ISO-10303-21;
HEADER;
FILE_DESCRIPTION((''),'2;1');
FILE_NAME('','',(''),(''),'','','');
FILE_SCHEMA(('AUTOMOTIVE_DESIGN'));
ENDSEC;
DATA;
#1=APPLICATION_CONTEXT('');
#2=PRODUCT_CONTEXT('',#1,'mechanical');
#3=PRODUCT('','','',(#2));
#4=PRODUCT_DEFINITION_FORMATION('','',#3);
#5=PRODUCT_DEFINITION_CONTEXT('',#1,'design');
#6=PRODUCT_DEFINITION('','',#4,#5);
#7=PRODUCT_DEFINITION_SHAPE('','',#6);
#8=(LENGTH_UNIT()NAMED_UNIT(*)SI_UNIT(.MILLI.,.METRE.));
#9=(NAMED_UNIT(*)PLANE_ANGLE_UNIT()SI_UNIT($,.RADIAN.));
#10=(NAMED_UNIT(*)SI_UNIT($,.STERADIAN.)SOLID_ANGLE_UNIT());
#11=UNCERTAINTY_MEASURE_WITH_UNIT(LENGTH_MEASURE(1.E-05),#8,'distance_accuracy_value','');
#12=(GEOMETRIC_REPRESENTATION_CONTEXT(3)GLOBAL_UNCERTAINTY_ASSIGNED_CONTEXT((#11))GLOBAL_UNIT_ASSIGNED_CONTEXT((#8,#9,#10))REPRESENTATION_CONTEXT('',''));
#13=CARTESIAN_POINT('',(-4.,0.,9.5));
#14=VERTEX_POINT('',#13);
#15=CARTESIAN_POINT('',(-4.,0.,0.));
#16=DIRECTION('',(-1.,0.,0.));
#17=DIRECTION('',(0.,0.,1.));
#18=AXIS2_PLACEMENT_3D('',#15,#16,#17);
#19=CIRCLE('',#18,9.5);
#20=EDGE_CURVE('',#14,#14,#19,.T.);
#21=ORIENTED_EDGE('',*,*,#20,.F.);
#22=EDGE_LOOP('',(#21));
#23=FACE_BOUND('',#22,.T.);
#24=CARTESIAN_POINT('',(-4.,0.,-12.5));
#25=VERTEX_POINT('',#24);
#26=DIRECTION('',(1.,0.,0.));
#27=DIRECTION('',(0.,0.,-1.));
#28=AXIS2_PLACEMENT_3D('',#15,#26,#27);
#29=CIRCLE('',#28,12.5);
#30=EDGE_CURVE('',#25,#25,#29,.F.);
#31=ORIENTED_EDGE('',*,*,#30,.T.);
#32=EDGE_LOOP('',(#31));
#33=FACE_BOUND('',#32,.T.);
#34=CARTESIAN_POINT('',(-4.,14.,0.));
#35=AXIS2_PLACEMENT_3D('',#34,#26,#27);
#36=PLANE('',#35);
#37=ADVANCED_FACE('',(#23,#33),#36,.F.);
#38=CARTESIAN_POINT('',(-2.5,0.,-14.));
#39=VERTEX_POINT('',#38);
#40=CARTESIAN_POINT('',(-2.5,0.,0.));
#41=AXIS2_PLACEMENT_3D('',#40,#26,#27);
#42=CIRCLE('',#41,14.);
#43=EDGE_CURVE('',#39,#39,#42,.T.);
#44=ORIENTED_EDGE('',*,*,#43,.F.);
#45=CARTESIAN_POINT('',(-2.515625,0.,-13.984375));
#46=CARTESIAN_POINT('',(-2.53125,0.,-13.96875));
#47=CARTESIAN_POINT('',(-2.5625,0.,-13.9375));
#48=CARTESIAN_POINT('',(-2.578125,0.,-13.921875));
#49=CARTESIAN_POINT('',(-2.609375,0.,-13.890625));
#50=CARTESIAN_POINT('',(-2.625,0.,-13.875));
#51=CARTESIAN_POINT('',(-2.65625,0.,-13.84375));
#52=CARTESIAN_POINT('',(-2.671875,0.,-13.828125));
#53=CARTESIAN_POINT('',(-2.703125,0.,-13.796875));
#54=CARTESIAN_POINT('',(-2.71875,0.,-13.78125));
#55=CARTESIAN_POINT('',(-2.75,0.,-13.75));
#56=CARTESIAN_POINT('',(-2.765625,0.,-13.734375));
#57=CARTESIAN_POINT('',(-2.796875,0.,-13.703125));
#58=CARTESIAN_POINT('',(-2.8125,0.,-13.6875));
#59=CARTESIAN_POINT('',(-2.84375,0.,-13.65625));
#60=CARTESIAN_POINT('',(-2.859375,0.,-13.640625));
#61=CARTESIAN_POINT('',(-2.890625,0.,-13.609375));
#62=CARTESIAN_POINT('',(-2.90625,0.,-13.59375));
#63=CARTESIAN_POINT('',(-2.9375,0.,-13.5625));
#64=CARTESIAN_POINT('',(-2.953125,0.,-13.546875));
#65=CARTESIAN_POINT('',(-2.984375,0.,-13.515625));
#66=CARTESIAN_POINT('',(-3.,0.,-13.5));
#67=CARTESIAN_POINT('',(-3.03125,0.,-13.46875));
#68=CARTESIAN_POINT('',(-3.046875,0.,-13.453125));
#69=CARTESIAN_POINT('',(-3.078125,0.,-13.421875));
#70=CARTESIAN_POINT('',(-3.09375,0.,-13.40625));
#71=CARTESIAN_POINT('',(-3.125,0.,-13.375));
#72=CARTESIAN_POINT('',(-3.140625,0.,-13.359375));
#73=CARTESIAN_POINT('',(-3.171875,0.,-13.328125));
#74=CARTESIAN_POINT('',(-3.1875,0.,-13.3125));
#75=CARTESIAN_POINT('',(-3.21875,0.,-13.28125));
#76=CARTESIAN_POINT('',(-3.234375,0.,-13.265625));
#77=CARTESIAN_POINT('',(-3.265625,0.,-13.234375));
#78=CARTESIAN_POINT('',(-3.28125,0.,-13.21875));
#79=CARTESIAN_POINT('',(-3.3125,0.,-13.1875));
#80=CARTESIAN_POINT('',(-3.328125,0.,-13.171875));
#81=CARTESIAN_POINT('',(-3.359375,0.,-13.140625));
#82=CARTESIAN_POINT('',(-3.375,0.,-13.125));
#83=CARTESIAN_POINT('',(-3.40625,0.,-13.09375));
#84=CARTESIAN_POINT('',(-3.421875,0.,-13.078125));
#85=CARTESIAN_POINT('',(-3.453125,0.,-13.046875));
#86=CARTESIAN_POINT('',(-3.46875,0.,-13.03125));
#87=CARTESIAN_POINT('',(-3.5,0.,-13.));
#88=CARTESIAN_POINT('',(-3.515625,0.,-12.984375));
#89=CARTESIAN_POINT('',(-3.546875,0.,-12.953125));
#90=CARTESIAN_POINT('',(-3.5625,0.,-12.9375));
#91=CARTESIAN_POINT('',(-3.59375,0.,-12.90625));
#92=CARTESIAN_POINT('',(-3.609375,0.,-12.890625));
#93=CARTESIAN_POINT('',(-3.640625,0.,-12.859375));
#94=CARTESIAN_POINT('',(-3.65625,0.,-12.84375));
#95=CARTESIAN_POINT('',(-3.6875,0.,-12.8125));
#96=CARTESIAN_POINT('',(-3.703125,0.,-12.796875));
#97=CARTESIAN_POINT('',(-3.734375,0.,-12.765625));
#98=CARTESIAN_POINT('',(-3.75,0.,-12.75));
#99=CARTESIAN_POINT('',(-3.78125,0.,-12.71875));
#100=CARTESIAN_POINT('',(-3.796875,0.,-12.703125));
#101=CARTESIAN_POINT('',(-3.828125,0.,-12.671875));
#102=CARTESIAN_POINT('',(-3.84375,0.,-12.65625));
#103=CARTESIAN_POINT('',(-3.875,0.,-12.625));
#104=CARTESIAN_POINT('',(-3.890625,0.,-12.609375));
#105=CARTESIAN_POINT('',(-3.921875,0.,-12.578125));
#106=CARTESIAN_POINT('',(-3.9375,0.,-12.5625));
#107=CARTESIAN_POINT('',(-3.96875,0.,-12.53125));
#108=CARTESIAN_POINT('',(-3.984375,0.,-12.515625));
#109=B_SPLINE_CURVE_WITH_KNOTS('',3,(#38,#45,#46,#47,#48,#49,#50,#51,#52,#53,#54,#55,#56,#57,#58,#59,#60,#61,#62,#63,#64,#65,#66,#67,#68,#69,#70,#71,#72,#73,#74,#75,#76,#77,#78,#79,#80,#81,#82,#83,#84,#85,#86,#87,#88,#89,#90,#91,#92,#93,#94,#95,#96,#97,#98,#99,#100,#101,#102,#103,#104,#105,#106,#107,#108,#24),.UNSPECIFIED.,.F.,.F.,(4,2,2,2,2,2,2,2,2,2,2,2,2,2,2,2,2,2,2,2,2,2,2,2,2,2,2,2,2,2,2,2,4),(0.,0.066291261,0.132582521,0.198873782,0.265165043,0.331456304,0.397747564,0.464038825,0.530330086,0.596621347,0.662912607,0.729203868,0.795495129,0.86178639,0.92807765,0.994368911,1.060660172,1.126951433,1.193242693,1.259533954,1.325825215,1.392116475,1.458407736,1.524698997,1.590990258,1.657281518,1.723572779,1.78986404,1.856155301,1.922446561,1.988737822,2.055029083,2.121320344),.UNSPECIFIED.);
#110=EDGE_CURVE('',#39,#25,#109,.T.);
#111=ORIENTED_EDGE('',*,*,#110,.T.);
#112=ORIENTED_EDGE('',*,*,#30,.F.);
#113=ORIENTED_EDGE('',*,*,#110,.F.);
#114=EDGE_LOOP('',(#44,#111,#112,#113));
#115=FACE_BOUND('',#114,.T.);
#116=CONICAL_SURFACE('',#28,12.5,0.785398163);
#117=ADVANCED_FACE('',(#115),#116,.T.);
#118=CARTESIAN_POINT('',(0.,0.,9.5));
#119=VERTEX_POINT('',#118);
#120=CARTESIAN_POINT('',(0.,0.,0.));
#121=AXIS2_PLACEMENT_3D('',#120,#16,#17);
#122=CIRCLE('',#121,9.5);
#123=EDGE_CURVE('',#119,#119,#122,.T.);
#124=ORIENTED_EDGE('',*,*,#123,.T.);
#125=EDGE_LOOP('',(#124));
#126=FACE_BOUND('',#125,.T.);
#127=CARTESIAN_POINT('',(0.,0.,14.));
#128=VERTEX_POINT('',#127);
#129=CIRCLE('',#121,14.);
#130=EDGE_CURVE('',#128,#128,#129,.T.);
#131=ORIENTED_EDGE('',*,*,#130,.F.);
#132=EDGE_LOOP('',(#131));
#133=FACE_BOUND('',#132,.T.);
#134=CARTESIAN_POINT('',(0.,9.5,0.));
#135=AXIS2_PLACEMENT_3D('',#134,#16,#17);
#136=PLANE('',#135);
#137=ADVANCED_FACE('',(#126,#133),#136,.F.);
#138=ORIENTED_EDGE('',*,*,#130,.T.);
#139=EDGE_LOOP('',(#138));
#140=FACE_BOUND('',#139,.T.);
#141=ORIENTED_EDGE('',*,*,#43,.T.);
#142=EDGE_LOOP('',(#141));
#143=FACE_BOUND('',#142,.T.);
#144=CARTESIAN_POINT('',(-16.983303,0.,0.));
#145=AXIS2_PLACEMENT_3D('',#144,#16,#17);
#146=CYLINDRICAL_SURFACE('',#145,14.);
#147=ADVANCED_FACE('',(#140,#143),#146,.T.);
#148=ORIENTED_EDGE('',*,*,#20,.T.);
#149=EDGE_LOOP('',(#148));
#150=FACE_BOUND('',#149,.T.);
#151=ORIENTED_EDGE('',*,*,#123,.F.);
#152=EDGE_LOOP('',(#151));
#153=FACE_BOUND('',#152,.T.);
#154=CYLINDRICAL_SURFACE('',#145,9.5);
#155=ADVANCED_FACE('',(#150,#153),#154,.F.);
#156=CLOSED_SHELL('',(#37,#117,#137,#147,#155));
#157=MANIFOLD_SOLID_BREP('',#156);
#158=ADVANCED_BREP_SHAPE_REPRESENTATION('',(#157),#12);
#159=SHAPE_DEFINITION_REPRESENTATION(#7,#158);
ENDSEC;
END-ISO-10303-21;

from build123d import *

# Parameters (mm, degrees)
SKETCH_1_W     = 4
SKETCH_1_H     = 4.5
CHAMFER_1_SIZE = 1.5


with BuildPart() as part:
    # 草图1 → 旋转1 (revolve)
    with BuildSketch(Plane.XY, mode=Mode.PRIVATE) as revolve_1_sk:
        with Locations((-2, 11.75)):
            Rectangle(SKETCH_1_W, SKETCH_1_H)
    revolve(revolve_1_sk.sketch.rotate(Axis((-16.983302851, 0, 0), (1, 0, 0)), 90), axis=Axis((-16.983302851, 0, 0), (1, 0, 0)))

    # 倒角1
    chamfer_1_edges = [part.edges().sort_by_distance(p)[0] for p in [
        (-4, 0, -14),
    ]]
    chamfer(chamfer_1_edges, length=CHAMFER_1_SIZE)


solid = part.part
